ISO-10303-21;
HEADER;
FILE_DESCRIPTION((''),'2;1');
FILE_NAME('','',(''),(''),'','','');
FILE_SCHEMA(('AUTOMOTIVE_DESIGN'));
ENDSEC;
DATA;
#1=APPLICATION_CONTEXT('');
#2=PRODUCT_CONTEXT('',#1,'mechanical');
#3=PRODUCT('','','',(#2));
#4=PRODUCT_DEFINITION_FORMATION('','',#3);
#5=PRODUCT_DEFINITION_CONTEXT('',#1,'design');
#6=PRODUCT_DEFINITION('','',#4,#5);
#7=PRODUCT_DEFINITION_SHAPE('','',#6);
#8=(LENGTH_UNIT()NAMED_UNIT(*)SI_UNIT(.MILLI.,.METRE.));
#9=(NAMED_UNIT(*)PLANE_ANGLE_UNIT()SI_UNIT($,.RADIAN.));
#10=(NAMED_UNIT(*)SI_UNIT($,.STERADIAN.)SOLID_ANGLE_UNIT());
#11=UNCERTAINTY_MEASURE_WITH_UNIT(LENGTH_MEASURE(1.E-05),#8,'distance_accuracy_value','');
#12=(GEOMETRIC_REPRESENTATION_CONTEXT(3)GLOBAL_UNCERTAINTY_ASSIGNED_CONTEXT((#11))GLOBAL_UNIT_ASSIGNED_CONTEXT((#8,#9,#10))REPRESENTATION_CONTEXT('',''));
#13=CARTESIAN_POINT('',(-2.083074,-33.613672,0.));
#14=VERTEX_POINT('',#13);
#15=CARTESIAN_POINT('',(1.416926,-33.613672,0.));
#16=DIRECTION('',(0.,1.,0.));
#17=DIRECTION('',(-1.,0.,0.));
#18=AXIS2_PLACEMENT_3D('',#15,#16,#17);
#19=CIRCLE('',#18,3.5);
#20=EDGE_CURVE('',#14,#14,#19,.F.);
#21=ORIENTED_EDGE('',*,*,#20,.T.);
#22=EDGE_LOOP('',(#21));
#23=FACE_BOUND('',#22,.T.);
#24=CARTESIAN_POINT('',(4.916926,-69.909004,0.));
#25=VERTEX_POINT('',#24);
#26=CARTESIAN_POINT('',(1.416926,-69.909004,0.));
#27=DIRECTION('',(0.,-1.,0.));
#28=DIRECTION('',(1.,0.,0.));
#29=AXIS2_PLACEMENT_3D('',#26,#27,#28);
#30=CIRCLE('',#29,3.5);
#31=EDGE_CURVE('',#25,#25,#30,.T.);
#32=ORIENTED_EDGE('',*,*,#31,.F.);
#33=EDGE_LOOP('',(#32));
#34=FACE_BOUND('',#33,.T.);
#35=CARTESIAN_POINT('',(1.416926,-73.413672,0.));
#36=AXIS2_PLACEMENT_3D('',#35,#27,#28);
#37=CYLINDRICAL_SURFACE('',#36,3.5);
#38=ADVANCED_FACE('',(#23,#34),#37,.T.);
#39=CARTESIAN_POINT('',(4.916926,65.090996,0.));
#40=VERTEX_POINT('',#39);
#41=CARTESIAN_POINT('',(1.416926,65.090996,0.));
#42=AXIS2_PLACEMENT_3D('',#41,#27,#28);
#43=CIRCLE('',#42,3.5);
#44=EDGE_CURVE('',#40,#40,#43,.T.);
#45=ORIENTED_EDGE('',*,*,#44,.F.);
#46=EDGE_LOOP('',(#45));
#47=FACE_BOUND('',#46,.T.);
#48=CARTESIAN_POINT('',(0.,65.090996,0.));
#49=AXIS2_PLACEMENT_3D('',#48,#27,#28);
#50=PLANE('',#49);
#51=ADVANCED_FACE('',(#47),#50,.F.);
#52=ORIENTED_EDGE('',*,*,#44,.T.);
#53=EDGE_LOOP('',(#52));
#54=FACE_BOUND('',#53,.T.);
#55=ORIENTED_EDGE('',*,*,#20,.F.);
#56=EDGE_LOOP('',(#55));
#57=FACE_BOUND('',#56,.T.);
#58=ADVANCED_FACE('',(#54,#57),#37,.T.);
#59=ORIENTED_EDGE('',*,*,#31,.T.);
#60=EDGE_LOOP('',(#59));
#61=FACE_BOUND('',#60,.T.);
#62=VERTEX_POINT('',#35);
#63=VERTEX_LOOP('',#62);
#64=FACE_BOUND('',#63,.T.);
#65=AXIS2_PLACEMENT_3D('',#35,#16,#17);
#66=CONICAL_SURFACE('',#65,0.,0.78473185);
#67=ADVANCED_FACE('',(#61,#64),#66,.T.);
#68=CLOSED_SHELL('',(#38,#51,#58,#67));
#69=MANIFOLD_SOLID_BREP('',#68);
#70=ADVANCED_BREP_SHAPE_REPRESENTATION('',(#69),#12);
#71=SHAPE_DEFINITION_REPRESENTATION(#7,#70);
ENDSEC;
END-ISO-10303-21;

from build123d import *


with BuildPart() as part:
    # Sketch1 → Revolve1 (revolve)
    with BuildSketch(Plane.XY):
        Polygon((-2.083073871, 65.090995785), (-2.083073871, -69.909004215), (1.416926129, -69.909004215), (1.416926129, -33.613671522), (1.416926129, 65.090995785), align=None)
        Polygon((1.416926129, -69.909004215), (-2.083073871, -69.909004215), (1.416926129, -73.413671522), align=None)
    revolve(axis=Axis((1.416926129, -73.413671522, 0), (0, 1, 0)))


solid = part.part
